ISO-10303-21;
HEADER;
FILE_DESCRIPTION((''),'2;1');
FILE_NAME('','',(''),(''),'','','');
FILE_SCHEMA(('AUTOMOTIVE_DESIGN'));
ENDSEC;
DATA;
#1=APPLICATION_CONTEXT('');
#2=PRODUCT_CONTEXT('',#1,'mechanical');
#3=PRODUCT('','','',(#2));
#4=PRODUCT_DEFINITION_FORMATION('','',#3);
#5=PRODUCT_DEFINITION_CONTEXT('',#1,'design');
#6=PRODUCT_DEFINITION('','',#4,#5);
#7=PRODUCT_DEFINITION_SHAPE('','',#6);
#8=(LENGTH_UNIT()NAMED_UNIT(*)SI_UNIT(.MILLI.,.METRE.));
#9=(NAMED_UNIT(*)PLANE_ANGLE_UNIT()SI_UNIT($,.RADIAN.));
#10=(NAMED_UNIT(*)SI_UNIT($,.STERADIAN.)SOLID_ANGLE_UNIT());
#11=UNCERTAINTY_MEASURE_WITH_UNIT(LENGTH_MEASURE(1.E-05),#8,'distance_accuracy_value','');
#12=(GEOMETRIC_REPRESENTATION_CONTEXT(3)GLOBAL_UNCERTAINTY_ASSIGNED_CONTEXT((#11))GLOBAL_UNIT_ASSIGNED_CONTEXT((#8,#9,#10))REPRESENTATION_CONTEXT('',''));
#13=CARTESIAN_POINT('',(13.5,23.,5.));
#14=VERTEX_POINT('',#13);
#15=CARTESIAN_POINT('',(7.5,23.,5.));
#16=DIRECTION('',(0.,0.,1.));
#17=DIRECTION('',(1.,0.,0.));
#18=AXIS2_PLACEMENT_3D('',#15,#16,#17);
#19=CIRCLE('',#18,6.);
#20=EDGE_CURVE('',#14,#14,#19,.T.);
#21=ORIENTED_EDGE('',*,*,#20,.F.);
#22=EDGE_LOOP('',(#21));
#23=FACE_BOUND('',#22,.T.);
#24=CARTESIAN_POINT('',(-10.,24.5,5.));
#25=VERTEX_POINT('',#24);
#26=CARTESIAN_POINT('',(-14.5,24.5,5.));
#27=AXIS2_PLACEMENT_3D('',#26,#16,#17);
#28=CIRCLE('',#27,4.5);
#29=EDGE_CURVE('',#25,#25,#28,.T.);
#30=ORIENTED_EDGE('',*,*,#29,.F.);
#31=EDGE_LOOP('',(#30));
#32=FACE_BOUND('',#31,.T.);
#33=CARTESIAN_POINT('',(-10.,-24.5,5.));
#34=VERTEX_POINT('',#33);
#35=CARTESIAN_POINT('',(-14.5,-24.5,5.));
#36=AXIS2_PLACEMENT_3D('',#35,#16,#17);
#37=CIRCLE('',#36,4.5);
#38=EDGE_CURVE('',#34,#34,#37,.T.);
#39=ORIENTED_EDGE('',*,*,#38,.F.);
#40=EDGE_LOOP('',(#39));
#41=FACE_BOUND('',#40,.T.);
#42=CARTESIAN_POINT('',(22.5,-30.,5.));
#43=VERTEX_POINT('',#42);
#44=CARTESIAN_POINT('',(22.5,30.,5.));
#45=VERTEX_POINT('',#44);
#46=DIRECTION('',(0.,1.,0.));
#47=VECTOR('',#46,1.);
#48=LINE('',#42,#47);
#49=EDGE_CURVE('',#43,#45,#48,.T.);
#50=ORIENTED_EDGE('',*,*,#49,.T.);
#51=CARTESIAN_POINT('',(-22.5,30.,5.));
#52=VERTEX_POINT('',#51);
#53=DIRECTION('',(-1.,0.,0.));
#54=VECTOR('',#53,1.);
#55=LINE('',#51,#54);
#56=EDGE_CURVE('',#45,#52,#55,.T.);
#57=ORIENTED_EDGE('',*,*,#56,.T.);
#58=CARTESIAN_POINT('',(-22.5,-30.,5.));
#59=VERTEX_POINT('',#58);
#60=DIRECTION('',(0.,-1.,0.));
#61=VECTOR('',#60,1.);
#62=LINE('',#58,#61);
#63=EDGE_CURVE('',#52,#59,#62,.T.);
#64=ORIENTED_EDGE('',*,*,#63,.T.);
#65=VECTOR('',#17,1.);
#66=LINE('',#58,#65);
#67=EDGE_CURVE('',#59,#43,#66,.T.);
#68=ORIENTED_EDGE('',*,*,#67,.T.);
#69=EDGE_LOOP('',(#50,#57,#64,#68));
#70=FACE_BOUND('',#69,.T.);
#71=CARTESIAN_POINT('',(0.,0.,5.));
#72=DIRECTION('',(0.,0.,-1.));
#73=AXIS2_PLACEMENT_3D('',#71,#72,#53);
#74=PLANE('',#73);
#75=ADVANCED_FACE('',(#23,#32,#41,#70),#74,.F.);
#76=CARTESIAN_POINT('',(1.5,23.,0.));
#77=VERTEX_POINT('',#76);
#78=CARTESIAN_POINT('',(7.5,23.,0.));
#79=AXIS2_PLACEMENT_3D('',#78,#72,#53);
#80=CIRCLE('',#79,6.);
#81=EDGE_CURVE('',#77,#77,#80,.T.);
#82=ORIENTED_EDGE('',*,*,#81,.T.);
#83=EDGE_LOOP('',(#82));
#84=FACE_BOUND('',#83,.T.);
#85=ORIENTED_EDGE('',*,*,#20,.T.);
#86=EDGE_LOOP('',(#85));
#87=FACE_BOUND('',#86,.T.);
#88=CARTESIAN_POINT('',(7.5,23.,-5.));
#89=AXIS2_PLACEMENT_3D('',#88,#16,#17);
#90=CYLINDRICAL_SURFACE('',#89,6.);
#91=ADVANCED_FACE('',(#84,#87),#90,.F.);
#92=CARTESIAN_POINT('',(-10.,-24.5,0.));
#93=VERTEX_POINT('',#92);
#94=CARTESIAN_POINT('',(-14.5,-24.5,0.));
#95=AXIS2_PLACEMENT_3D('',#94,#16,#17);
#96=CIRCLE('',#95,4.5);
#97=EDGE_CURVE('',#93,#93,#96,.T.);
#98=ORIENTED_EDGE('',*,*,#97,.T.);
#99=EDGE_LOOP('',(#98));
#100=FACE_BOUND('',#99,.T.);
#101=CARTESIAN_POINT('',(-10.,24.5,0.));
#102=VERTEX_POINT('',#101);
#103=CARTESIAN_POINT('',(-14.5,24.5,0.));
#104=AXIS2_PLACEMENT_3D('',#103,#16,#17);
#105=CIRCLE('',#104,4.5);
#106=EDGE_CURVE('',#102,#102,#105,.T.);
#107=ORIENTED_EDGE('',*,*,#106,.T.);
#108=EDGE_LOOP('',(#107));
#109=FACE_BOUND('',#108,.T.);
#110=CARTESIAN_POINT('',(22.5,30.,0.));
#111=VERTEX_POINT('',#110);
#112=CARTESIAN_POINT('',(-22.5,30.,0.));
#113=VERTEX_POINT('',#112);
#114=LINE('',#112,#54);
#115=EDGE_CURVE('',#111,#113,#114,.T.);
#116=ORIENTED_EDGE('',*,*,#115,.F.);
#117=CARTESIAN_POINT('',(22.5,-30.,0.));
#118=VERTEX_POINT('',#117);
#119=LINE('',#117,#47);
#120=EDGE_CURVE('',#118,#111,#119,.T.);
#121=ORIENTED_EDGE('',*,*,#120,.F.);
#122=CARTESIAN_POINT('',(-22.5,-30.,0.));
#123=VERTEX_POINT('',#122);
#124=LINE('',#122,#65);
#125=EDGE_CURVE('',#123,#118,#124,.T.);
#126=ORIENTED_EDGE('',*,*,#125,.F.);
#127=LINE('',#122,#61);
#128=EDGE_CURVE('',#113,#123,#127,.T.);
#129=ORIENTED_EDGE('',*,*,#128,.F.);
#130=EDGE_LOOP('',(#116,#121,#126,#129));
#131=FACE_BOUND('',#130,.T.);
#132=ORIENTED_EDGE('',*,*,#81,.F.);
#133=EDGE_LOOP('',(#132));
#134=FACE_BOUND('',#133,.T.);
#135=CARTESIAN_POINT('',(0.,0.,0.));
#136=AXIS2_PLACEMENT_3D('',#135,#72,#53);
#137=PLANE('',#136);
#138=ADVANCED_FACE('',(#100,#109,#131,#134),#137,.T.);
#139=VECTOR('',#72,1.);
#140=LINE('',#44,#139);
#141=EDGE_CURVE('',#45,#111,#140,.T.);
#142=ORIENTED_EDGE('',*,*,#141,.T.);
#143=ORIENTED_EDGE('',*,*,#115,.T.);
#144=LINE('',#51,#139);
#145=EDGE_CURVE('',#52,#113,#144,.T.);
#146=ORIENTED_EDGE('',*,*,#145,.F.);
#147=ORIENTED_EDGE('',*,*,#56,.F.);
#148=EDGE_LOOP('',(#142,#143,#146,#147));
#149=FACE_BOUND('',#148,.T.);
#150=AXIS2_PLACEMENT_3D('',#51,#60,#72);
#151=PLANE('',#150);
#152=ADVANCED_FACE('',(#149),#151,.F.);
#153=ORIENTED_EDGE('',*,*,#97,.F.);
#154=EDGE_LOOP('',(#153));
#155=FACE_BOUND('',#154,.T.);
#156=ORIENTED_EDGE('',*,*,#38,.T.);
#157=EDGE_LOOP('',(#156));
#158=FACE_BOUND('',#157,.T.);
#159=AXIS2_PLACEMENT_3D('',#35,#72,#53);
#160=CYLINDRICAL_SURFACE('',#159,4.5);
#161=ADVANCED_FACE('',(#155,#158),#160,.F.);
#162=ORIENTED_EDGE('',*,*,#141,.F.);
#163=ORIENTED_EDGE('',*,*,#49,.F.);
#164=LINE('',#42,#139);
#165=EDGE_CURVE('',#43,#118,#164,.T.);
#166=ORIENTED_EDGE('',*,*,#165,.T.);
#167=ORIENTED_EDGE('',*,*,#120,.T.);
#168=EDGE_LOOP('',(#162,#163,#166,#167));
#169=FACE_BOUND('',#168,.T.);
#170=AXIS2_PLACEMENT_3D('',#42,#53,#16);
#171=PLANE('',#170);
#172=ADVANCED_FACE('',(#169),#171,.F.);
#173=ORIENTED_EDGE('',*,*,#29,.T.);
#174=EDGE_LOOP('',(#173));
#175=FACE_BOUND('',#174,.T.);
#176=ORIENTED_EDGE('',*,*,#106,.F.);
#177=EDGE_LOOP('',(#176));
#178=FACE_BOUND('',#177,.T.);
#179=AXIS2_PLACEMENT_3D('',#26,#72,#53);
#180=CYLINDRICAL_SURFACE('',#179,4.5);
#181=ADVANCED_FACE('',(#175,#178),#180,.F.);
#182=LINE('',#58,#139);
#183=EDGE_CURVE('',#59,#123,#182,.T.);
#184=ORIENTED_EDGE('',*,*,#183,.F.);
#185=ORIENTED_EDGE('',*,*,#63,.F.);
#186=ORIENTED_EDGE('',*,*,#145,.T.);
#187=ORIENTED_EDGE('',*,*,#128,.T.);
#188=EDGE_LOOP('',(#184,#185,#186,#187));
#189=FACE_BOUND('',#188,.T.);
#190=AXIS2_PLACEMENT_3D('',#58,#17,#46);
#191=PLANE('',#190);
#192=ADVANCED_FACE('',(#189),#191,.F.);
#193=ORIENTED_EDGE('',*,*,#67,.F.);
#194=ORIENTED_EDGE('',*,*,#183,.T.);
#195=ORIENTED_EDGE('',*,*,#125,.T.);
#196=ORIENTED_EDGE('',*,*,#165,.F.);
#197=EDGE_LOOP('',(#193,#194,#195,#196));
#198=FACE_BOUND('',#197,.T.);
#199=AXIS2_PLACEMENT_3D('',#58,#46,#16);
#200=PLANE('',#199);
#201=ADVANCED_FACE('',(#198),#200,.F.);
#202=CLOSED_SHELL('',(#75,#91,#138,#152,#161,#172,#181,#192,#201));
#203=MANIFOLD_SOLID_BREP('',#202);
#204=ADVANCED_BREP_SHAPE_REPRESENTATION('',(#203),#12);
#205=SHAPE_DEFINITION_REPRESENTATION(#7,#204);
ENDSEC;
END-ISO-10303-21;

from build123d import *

# Parameters (mm, degrees)
SZKIC1_W                    = 45
SZKIC1_H                    = 60
SZKIC1_R                    = 4.5
DODANIE_WYCI_GNI_CIE1_DEPTH = 5
SZKIC2_R                    = 6
WYTNIJ_WYCI_GNI_CIE1_DEPTH  = 10


with BuildPart() as part:
    # Szkic1 → Dodanie-wyciągnięcie1 (new body)
    with BuildSketch(Plane.XY):
        Rectangle(SZKIC1_W, SZKIC1_H)
        with Locations((-14.5, 24.5)):
            Circle(SZKIC1_R, mode=Mode.SUBTRACT)
        with Locations((-14.5, -24.5)):
            Circle(SZKIC1_R, mode=Mode.SUBTRACT)
    extrude(amount=DODANIE_WYCI_GNI_CIE1_DEPTH)

    # Szkic2 → Wytnij-wyciągnięcie1 (cut)
    with BuildSketch(Plane.XY.offset(5)):
        with Locations((7.5, 23)):
            Circle(SZKIC2_R)
    extrude(amount=-WYTNIJ_WYCI_GNI_CIE1_DEPTH, mode=Mode.SUBTRACT)


solid = part.part
